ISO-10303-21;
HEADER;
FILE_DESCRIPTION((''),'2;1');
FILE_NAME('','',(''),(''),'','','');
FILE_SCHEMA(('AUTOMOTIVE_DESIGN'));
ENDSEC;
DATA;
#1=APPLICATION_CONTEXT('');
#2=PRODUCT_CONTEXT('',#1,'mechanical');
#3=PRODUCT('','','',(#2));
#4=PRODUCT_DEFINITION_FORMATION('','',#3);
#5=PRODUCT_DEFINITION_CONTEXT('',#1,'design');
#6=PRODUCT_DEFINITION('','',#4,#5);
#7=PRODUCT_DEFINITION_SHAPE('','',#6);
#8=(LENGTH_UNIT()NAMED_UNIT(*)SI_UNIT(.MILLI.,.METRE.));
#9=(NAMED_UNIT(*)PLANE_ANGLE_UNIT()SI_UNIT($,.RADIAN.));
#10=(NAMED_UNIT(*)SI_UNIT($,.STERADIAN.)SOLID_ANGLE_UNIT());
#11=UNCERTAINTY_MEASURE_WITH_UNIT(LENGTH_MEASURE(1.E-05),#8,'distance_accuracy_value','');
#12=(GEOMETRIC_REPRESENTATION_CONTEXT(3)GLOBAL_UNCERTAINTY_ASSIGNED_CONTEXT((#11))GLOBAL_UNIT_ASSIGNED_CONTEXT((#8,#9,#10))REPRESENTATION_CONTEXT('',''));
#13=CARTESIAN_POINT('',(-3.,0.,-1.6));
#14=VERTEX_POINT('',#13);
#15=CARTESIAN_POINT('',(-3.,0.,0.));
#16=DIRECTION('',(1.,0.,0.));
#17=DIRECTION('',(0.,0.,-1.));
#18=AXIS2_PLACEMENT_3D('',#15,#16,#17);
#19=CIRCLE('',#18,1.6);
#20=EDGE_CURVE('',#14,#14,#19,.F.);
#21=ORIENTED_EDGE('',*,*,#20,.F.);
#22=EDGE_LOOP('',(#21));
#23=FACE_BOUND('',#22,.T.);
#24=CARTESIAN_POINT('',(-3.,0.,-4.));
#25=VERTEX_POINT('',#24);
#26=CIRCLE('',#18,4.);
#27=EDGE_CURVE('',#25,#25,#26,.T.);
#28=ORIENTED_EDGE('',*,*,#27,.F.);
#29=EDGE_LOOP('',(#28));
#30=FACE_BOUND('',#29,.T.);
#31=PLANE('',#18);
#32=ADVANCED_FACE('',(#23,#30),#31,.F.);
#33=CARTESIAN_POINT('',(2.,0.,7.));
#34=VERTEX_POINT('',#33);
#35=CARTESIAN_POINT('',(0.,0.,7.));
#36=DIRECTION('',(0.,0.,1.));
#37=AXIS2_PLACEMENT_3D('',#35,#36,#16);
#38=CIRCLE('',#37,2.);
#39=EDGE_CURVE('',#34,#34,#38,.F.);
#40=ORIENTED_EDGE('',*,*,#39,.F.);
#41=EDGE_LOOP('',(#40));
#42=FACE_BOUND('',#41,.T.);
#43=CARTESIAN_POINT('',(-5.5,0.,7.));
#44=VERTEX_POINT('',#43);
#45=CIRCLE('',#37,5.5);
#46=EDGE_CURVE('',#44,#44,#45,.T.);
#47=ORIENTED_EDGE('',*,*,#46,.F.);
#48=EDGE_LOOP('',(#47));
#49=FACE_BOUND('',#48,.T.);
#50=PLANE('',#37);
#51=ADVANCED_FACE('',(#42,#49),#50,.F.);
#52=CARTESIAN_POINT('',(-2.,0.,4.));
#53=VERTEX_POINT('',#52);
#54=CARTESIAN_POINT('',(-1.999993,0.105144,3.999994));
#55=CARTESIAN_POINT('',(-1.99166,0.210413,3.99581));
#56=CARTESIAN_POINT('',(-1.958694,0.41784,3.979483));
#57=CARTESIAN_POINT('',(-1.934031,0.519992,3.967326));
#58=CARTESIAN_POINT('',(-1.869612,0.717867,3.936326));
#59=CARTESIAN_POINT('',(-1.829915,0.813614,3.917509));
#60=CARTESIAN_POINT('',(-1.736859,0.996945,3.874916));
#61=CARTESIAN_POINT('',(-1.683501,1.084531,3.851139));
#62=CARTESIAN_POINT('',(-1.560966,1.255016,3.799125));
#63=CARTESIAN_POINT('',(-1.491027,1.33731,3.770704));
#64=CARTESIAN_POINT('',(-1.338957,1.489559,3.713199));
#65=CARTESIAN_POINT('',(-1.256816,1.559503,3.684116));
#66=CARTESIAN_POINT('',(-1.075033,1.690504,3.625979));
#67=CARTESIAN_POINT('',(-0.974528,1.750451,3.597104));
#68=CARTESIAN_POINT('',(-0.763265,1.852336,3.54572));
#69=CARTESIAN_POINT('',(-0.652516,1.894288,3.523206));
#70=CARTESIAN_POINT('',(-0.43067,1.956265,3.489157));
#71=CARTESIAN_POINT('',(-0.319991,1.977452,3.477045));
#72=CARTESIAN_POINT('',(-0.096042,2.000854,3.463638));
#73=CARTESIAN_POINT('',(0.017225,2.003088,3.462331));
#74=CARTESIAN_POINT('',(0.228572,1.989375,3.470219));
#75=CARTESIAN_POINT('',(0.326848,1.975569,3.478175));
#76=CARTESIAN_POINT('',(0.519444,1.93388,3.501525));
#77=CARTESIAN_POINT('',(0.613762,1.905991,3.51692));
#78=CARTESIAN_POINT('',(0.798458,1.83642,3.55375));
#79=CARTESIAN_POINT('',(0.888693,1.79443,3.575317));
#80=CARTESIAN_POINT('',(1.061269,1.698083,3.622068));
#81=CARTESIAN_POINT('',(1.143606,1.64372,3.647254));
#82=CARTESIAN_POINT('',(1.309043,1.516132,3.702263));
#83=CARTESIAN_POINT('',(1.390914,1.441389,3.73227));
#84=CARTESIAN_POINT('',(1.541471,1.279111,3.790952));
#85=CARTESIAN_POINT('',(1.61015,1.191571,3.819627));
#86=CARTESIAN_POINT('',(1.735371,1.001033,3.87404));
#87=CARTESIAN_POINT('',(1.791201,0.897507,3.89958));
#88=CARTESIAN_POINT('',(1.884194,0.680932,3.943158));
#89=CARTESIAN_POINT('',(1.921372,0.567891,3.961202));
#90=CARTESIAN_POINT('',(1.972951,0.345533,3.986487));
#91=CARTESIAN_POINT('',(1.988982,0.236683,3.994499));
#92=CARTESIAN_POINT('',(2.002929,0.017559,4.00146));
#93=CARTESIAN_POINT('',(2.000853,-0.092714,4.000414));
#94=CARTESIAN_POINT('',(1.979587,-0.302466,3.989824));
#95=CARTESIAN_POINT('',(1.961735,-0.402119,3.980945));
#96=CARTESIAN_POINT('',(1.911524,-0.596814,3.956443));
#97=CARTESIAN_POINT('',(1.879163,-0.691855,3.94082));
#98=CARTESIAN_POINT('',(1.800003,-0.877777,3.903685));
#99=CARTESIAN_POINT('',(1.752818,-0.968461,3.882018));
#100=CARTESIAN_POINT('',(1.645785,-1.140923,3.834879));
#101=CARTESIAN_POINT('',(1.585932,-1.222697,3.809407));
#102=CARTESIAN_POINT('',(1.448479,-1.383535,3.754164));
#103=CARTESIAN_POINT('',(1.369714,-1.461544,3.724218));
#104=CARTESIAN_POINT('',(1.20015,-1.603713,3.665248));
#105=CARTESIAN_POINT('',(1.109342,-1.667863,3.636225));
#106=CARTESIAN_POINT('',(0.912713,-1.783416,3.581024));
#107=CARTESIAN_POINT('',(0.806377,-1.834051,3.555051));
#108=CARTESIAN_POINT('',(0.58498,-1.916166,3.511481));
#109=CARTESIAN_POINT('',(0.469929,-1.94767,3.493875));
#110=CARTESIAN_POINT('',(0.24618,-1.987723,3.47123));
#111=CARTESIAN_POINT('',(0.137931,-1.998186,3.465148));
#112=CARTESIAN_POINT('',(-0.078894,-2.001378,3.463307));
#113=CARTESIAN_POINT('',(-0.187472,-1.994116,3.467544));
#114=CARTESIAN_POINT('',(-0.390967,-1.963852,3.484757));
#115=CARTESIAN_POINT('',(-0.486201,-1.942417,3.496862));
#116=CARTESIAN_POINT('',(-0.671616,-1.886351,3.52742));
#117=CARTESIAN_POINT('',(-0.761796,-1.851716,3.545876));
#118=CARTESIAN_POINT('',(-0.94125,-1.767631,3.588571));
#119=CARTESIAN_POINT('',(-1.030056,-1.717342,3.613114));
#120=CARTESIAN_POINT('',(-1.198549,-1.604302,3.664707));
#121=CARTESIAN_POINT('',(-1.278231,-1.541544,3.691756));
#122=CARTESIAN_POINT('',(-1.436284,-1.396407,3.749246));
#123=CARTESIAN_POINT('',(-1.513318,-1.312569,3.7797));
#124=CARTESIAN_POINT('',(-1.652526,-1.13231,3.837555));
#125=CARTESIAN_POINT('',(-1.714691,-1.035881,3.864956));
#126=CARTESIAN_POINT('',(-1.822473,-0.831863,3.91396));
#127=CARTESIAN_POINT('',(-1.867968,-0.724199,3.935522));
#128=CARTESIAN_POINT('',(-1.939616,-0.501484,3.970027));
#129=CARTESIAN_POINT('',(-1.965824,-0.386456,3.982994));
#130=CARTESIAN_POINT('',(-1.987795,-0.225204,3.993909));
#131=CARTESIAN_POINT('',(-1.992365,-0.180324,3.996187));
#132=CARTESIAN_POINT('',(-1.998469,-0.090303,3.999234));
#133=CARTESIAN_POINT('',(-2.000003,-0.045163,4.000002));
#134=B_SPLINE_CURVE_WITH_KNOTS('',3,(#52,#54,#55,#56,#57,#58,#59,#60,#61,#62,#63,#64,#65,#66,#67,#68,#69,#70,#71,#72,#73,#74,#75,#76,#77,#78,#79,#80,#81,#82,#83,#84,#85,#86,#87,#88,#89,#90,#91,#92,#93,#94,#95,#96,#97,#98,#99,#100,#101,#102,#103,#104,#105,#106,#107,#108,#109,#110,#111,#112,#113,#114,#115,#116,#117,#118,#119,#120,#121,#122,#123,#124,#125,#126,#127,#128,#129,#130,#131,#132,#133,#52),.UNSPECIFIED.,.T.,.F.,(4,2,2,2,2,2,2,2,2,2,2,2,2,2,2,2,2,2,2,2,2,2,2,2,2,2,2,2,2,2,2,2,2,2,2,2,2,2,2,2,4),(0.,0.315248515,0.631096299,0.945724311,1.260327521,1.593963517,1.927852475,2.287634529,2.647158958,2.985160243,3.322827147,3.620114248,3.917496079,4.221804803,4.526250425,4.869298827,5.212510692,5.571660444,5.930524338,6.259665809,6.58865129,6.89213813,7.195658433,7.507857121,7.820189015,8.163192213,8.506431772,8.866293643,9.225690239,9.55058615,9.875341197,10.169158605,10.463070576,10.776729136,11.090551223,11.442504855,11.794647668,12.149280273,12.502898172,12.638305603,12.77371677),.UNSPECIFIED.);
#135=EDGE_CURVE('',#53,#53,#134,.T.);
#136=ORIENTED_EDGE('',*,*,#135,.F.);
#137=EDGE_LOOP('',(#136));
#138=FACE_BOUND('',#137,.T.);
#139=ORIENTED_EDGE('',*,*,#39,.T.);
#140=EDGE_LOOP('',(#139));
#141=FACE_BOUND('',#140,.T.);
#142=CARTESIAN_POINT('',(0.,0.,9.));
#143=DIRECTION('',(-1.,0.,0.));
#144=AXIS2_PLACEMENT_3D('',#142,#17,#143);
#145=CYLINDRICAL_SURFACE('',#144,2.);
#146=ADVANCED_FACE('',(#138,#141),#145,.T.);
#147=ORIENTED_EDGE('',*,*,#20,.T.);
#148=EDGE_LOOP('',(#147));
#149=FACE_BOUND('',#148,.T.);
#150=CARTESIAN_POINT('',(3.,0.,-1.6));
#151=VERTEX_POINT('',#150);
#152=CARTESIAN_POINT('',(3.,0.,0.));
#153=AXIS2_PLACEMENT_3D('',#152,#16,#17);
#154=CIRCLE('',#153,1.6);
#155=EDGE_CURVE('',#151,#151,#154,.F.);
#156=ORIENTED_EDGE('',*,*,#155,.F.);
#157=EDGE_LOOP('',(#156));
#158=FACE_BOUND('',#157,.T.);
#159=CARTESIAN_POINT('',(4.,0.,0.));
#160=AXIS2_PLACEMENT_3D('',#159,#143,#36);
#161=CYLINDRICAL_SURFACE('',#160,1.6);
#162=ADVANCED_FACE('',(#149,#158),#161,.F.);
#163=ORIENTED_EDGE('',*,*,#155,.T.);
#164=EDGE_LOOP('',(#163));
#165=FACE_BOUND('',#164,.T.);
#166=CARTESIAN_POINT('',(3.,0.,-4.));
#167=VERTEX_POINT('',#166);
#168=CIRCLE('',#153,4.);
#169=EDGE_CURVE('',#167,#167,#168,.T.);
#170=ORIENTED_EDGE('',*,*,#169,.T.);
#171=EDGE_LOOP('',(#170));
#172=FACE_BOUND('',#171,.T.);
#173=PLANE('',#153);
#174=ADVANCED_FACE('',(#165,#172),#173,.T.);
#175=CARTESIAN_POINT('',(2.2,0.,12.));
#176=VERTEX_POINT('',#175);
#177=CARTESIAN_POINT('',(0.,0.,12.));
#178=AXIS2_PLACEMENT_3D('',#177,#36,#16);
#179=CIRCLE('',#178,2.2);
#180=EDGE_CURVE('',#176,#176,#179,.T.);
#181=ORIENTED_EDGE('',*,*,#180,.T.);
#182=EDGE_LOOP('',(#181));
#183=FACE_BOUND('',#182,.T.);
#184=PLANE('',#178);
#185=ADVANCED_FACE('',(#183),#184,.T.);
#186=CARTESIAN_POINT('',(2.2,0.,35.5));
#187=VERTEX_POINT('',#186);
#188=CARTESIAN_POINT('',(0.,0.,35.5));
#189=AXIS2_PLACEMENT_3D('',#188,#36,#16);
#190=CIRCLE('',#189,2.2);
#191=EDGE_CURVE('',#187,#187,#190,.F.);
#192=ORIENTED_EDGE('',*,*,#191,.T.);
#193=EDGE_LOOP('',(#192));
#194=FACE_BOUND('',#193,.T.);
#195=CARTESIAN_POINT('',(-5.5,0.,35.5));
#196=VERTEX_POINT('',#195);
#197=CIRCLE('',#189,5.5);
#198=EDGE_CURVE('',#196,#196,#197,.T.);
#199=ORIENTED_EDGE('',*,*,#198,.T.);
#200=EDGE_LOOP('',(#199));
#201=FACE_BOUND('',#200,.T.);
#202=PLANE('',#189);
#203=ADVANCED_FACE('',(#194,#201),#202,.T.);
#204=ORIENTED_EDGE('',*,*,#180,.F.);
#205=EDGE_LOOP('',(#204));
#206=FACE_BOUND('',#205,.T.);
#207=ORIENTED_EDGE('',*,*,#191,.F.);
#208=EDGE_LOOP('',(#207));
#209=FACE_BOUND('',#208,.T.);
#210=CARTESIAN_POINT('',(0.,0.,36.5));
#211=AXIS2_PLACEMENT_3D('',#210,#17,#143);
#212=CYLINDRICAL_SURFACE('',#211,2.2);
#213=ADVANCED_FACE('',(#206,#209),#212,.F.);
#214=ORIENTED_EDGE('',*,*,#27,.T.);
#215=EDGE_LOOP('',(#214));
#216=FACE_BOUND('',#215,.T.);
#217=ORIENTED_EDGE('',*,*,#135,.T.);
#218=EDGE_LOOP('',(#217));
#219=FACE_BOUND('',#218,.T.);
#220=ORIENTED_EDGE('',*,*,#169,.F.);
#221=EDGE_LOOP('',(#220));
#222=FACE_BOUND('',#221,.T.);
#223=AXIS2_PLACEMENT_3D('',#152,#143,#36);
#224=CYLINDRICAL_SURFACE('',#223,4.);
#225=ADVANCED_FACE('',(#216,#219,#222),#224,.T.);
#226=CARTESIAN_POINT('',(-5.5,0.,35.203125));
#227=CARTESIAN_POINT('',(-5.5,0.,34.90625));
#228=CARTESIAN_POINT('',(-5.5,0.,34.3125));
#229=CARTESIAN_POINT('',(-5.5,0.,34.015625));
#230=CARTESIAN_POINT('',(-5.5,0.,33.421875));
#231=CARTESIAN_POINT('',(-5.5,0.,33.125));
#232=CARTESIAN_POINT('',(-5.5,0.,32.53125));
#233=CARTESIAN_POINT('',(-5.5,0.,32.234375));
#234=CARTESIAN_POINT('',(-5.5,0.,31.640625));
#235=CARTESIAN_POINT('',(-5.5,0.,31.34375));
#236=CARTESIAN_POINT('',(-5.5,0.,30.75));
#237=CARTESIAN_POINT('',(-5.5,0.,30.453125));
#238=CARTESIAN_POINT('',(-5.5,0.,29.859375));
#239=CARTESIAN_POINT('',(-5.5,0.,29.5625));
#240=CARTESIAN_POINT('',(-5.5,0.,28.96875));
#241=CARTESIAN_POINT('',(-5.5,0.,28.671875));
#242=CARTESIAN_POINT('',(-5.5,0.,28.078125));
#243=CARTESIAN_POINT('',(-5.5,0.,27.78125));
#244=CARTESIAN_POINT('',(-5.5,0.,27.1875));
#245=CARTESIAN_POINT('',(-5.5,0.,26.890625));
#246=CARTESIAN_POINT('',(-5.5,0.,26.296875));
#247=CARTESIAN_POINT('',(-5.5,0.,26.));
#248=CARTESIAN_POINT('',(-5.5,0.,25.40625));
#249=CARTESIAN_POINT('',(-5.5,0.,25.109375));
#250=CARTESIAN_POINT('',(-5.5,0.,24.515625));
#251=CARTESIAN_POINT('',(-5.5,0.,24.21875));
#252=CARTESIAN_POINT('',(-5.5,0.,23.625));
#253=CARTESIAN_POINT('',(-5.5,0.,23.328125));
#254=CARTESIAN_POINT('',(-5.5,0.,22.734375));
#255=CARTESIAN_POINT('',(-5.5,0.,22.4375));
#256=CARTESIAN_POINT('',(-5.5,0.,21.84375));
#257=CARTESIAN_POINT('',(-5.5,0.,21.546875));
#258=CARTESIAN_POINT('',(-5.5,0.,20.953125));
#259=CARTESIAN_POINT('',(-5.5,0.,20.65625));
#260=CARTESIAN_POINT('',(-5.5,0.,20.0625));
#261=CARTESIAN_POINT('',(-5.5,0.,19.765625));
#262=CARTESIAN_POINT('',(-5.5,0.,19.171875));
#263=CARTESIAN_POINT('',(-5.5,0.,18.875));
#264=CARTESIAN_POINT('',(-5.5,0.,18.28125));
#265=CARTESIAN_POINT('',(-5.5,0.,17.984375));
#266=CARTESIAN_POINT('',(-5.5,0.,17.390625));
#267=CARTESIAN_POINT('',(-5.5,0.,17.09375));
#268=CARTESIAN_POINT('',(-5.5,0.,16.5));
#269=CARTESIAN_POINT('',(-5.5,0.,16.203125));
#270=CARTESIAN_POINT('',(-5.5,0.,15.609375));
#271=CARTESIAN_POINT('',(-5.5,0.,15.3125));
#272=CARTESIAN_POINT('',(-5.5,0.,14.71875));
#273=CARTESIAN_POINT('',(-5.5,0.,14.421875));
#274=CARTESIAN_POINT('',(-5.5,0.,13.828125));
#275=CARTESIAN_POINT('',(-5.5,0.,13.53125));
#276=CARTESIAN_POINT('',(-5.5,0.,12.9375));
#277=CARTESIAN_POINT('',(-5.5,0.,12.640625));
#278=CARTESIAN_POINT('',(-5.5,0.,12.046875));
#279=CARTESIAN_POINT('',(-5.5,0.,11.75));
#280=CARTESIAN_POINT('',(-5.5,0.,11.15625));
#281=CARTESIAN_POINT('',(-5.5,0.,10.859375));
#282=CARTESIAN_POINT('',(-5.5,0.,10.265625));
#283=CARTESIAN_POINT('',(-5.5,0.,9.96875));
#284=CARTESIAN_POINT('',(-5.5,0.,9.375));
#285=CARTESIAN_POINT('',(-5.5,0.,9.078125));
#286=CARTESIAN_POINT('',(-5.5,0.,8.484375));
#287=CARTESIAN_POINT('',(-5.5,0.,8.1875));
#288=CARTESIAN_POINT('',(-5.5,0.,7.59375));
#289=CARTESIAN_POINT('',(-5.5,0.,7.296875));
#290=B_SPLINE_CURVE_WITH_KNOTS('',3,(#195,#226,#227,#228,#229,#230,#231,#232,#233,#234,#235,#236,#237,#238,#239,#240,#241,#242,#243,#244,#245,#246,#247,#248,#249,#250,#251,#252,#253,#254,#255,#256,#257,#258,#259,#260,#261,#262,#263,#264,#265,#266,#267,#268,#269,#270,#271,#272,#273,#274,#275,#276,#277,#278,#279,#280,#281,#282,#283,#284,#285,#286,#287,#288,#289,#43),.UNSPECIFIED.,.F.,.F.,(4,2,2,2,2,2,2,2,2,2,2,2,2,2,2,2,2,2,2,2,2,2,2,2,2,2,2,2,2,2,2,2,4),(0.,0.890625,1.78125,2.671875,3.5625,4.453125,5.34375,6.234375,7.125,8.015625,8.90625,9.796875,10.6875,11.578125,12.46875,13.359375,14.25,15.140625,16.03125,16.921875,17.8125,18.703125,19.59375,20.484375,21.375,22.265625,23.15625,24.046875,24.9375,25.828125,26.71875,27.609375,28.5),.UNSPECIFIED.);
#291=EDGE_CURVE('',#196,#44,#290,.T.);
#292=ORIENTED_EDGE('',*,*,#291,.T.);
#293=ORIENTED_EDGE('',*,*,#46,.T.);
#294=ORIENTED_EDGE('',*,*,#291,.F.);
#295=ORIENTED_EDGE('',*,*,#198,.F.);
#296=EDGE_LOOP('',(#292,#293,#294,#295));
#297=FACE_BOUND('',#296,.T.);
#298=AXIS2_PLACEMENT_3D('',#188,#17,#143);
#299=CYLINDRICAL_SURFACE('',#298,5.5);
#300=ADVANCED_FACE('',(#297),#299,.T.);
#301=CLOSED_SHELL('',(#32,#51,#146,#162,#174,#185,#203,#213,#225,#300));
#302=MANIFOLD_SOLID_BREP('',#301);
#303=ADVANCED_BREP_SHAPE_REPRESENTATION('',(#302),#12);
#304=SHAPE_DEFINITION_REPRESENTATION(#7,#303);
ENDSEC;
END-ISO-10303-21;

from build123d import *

# Parameters (mm, degrees)
F_0000_CYLINDER_SKETCH_R     = 5.5
F_0000_CYLINDER_DEPTH        = 28.5
F_0002_CYLINDER_SKETCH_R     = 2.2
F_0002_CYLINDER_DEPTH        = 24.5
F_0005_CYLINDER_SKETCH_R     = 2
F_0005_CYLINDER_DEPTH        = 6
F_0008_CYLINDER_SKETCH_R     = 4
F_0008_CYLINDER_DEPTH        = 6
F_0008_CYLINDER_ROTATE_ANGLE = 90
F_0010_CYLINDER_SKETCH_R     = 1.6
F_0010_CYLINDER_DEPTH        = 8
F_0010_CYLINDER_ROTATE_ANGLE = 90


with BuildPart() as part:
    # 0000_cylinder_Sketch → 0000_cylinder (new body)
    with BuildSketch(Plane.XY):
        with Locations(Location((0, 0, 0), (0, 0, 180))):
            Circle(F_0000_CYLINDER_SKETCH_R)
    extrude(amount=F_0000_CYLINDER_DEPTH)


with BuildPart() as part_1:
    # 0000_cylinder_Translate: moved
    add(part.part.moved(Location((0, 0, 7))))


with BuildPart() as body_2:
    # 0002_cylinder_Sketch → 0002_cylinder (new body)
    with BuildSketch(Plane.XY):
        Circle(F_0002_CYLINDER_SKETCH_R)
    extrude(amount=F_0002_CYLINDER_DEPTH)


with BuildPart() as body_2_1:
    # 0002_cylinder_Translate: moved
    add(body_2.part.moved(Location((0, 0, 12))))


with BuildPart() as part_2:
    add(part_1.part)

    # 0004_sub: cut body 2
    add(body_2_1.part, mode=Mode.SUBTRACT)


with BuildPart() as body_2_2:
    # 0005_cylinder_Sketch → 0005_cylinder (new body)
    with BuildSketch(Plane.XY):
        Circle(F_0005_CYLINDER_SKETCH_R)
    extrude(amount=F_0005_CYLINDER_DEPTH)


with BuildPart() as body_2_2_1:
    # 0005_cylinder_Translate: moved
    add(body_2_2.part.moved(Location((0, 0, 3))))


with BuildPart() as part_3:
    add(part_2.part)

    # 0007_add: union body 2 2
    add(body_2_2_1.part)


with BuildPart() as body_2_3:
    # 0008_cylinder_Sketch → 0008_cylinder (new body)
    with BuildSketch(Plane.XY):
        Circle(F_0008_CYLINDER_SKETCH_R)
    extrude(amount=F_0008_CYLINDER_DEPTH)


with BuildPart() as body_2_3_1:
    # 0008_cylinder_Rotate: moved
    add(body_2_3.part.rotate(Axis((0, 0, 0), (0, 1, 0)), F_0008_CYLINDER_ROTATE_ANGLE))


with BuildPart() as body_2_3_2:
    # 0008_cylinder_Translate: moved
    add(body_2_3_1.part.moved(Location((-3, 0, 0))))


with BuildPart() as part_4:
    add(part_3.part)

    # 0009_add: union body 2 3
    add(body_2_3_2.part)


with BuildPart() as body_2_4:
    # 0010_cylinder_Sketch → 0010_cylinder (new body)
    with BuildSketch(Plane.XY):
        Circle(F_0010_CYLINDER_SKETCH_R)
    extrude(amount=F_0010_CYLINDER_DEPTH)


with BuildPart() as body_2_4_1:
    # 0010_cylinder_Rotate: moved
    add(body_2_4.part.rotate(Axis((0, 0, 0), (0, 1, 0)), F_0010_CYLINDER_ROTATE_ANGLE))


with BuildPart() as body_2_4_2:
    # 0010_cylinder_Translate: moved
    add(body_2_4_1.part.moved(Location((-4, 0, 0))))


with BuildPart() as part_5:
    add(part_4.part)

    # 0011_sub: cut body 2 4
    add(body_2_4_2.part, mode=Mode.SUBTRACT)


solid = part_5.part
